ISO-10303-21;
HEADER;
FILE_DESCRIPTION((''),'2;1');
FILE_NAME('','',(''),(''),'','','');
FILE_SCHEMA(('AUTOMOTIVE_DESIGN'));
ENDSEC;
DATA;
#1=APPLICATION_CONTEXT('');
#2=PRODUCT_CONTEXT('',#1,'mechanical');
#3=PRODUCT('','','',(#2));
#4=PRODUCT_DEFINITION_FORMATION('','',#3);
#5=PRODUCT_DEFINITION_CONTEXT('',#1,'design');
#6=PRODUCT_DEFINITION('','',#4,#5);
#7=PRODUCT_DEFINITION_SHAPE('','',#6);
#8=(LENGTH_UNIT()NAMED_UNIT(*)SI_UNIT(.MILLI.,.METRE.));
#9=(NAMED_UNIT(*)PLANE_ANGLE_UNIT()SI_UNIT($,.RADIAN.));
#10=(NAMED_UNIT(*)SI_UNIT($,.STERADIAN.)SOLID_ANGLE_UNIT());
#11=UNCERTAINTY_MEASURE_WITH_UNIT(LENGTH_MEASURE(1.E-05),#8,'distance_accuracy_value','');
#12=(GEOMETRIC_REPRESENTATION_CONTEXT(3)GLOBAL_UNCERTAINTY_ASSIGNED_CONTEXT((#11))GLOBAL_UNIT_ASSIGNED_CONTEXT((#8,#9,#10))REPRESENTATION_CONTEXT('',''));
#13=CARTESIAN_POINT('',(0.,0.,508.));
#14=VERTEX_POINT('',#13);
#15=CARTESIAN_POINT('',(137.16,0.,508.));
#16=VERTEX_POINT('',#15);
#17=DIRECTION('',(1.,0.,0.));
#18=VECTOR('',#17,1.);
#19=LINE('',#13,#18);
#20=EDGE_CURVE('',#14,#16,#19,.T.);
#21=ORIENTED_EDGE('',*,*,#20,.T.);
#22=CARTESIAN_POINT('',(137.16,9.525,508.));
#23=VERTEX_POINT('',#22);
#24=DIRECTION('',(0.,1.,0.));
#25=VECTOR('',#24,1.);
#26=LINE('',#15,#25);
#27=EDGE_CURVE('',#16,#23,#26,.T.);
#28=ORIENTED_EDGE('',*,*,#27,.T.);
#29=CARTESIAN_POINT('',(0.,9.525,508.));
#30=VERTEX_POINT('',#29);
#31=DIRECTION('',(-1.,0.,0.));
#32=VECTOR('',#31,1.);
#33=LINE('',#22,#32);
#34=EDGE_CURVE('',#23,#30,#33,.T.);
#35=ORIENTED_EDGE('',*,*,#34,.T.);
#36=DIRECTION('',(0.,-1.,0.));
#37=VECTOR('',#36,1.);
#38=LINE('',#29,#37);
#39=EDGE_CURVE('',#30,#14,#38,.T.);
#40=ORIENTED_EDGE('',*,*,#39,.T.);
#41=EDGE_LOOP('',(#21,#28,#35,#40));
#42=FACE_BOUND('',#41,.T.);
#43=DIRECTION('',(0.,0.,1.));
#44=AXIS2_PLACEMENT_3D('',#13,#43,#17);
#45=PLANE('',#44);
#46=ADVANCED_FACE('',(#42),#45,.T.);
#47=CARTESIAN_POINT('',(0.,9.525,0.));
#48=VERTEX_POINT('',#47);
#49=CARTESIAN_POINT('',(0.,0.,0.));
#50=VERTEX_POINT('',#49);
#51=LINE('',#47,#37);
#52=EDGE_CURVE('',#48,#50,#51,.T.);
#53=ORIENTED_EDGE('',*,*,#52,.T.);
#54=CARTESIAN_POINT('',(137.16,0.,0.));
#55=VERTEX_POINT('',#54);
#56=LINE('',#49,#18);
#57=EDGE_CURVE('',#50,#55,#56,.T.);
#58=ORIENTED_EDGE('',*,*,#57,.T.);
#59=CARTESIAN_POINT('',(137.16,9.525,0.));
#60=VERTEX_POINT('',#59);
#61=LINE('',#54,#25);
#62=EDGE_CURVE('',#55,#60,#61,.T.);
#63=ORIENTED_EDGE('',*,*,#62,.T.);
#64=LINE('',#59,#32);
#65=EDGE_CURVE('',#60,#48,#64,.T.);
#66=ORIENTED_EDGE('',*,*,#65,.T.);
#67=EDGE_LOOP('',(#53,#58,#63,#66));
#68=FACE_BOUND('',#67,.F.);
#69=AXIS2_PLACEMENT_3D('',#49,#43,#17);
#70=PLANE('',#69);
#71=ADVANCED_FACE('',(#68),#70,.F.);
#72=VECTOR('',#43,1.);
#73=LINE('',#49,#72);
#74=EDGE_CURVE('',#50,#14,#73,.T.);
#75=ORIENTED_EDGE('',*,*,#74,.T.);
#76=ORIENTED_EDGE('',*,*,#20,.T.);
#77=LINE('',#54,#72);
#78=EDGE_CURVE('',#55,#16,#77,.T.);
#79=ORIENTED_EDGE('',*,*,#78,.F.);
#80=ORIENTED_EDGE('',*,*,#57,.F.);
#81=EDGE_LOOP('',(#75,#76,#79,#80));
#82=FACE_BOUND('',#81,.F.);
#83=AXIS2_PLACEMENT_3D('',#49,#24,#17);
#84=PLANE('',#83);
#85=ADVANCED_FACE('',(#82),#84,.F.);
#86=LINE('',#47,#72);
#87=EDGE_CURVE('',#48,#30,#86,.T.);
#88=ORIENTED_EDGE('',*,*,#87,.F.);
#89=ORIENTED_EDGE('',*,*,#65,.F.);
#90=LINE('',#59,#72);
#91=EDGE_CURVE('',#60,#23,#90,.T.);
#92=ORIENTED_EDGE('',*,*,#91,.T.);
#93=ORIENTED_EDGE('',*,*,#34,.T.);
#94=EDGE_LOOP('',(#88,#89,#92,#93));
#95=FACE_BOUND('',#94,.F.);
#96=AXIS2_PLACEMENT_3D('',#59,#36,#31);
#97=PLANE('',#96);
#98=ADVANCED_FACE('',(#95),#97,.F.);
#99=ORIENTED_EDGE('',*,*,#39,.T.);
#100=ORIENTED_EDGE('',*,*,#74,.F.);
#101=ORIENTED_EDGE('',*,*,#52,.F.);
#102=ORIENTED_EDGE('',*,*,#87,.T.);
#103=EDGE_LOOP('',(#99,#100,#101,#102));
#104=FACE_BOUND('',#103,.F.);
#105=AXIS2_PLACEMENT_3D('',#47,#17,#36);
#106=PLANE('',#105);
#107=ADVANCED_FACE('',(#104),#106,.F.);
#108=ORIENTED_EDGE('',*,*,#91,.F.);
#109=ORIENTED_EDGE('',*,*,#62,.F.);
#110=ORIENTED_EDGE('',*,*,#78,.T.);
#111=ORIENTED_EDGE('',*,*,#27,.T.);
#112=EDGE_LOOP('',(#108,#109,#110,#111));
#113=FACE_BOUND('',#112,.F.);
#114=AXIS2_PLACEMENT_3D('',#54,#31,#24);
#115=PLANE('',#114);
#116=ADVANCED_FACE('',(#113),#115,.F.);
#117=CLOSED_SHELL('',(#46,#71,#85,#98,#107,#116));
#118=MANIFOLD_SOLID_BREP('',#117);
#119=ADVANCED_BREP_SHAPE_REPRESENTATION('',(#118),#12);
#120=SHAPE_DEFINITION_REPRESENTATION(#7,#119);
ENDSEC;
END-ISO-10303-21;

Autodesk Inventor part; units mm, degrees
ref_plane "YZ Plane" through (0, 0, 0) normal (1, 0, 0) x (0, 1, 0)
ref_plane "XZ Plane" through (0, 0, 0) normal (0, 1, 0) x (-1, 0, 0)
ref_plane "XY Plane" through (0, 0, 0) normal (0, 0, 1) x (1, 0, 0)
sketch "Sketch1" plane through (0, 0, 0) normal (0, 0, 1) x (1, 0, 0)
  line L0 (0, 0) -> (137.16, 0)
  line L1 (137.16, 0) -> (137.16, 9.525)
  line L2 (137.16, 9.525) -> (0, 9.525)
  line L3 (0, 9.525) -> (0, 0)
  dimension "d0" = 9.525
  dimension "d1" = 137.16
extrude "Extrusion1" add sketch "Sketch1" along normal blind 508
properties part number "End Plywood Ramp 375" material "Wood (Oak)"
